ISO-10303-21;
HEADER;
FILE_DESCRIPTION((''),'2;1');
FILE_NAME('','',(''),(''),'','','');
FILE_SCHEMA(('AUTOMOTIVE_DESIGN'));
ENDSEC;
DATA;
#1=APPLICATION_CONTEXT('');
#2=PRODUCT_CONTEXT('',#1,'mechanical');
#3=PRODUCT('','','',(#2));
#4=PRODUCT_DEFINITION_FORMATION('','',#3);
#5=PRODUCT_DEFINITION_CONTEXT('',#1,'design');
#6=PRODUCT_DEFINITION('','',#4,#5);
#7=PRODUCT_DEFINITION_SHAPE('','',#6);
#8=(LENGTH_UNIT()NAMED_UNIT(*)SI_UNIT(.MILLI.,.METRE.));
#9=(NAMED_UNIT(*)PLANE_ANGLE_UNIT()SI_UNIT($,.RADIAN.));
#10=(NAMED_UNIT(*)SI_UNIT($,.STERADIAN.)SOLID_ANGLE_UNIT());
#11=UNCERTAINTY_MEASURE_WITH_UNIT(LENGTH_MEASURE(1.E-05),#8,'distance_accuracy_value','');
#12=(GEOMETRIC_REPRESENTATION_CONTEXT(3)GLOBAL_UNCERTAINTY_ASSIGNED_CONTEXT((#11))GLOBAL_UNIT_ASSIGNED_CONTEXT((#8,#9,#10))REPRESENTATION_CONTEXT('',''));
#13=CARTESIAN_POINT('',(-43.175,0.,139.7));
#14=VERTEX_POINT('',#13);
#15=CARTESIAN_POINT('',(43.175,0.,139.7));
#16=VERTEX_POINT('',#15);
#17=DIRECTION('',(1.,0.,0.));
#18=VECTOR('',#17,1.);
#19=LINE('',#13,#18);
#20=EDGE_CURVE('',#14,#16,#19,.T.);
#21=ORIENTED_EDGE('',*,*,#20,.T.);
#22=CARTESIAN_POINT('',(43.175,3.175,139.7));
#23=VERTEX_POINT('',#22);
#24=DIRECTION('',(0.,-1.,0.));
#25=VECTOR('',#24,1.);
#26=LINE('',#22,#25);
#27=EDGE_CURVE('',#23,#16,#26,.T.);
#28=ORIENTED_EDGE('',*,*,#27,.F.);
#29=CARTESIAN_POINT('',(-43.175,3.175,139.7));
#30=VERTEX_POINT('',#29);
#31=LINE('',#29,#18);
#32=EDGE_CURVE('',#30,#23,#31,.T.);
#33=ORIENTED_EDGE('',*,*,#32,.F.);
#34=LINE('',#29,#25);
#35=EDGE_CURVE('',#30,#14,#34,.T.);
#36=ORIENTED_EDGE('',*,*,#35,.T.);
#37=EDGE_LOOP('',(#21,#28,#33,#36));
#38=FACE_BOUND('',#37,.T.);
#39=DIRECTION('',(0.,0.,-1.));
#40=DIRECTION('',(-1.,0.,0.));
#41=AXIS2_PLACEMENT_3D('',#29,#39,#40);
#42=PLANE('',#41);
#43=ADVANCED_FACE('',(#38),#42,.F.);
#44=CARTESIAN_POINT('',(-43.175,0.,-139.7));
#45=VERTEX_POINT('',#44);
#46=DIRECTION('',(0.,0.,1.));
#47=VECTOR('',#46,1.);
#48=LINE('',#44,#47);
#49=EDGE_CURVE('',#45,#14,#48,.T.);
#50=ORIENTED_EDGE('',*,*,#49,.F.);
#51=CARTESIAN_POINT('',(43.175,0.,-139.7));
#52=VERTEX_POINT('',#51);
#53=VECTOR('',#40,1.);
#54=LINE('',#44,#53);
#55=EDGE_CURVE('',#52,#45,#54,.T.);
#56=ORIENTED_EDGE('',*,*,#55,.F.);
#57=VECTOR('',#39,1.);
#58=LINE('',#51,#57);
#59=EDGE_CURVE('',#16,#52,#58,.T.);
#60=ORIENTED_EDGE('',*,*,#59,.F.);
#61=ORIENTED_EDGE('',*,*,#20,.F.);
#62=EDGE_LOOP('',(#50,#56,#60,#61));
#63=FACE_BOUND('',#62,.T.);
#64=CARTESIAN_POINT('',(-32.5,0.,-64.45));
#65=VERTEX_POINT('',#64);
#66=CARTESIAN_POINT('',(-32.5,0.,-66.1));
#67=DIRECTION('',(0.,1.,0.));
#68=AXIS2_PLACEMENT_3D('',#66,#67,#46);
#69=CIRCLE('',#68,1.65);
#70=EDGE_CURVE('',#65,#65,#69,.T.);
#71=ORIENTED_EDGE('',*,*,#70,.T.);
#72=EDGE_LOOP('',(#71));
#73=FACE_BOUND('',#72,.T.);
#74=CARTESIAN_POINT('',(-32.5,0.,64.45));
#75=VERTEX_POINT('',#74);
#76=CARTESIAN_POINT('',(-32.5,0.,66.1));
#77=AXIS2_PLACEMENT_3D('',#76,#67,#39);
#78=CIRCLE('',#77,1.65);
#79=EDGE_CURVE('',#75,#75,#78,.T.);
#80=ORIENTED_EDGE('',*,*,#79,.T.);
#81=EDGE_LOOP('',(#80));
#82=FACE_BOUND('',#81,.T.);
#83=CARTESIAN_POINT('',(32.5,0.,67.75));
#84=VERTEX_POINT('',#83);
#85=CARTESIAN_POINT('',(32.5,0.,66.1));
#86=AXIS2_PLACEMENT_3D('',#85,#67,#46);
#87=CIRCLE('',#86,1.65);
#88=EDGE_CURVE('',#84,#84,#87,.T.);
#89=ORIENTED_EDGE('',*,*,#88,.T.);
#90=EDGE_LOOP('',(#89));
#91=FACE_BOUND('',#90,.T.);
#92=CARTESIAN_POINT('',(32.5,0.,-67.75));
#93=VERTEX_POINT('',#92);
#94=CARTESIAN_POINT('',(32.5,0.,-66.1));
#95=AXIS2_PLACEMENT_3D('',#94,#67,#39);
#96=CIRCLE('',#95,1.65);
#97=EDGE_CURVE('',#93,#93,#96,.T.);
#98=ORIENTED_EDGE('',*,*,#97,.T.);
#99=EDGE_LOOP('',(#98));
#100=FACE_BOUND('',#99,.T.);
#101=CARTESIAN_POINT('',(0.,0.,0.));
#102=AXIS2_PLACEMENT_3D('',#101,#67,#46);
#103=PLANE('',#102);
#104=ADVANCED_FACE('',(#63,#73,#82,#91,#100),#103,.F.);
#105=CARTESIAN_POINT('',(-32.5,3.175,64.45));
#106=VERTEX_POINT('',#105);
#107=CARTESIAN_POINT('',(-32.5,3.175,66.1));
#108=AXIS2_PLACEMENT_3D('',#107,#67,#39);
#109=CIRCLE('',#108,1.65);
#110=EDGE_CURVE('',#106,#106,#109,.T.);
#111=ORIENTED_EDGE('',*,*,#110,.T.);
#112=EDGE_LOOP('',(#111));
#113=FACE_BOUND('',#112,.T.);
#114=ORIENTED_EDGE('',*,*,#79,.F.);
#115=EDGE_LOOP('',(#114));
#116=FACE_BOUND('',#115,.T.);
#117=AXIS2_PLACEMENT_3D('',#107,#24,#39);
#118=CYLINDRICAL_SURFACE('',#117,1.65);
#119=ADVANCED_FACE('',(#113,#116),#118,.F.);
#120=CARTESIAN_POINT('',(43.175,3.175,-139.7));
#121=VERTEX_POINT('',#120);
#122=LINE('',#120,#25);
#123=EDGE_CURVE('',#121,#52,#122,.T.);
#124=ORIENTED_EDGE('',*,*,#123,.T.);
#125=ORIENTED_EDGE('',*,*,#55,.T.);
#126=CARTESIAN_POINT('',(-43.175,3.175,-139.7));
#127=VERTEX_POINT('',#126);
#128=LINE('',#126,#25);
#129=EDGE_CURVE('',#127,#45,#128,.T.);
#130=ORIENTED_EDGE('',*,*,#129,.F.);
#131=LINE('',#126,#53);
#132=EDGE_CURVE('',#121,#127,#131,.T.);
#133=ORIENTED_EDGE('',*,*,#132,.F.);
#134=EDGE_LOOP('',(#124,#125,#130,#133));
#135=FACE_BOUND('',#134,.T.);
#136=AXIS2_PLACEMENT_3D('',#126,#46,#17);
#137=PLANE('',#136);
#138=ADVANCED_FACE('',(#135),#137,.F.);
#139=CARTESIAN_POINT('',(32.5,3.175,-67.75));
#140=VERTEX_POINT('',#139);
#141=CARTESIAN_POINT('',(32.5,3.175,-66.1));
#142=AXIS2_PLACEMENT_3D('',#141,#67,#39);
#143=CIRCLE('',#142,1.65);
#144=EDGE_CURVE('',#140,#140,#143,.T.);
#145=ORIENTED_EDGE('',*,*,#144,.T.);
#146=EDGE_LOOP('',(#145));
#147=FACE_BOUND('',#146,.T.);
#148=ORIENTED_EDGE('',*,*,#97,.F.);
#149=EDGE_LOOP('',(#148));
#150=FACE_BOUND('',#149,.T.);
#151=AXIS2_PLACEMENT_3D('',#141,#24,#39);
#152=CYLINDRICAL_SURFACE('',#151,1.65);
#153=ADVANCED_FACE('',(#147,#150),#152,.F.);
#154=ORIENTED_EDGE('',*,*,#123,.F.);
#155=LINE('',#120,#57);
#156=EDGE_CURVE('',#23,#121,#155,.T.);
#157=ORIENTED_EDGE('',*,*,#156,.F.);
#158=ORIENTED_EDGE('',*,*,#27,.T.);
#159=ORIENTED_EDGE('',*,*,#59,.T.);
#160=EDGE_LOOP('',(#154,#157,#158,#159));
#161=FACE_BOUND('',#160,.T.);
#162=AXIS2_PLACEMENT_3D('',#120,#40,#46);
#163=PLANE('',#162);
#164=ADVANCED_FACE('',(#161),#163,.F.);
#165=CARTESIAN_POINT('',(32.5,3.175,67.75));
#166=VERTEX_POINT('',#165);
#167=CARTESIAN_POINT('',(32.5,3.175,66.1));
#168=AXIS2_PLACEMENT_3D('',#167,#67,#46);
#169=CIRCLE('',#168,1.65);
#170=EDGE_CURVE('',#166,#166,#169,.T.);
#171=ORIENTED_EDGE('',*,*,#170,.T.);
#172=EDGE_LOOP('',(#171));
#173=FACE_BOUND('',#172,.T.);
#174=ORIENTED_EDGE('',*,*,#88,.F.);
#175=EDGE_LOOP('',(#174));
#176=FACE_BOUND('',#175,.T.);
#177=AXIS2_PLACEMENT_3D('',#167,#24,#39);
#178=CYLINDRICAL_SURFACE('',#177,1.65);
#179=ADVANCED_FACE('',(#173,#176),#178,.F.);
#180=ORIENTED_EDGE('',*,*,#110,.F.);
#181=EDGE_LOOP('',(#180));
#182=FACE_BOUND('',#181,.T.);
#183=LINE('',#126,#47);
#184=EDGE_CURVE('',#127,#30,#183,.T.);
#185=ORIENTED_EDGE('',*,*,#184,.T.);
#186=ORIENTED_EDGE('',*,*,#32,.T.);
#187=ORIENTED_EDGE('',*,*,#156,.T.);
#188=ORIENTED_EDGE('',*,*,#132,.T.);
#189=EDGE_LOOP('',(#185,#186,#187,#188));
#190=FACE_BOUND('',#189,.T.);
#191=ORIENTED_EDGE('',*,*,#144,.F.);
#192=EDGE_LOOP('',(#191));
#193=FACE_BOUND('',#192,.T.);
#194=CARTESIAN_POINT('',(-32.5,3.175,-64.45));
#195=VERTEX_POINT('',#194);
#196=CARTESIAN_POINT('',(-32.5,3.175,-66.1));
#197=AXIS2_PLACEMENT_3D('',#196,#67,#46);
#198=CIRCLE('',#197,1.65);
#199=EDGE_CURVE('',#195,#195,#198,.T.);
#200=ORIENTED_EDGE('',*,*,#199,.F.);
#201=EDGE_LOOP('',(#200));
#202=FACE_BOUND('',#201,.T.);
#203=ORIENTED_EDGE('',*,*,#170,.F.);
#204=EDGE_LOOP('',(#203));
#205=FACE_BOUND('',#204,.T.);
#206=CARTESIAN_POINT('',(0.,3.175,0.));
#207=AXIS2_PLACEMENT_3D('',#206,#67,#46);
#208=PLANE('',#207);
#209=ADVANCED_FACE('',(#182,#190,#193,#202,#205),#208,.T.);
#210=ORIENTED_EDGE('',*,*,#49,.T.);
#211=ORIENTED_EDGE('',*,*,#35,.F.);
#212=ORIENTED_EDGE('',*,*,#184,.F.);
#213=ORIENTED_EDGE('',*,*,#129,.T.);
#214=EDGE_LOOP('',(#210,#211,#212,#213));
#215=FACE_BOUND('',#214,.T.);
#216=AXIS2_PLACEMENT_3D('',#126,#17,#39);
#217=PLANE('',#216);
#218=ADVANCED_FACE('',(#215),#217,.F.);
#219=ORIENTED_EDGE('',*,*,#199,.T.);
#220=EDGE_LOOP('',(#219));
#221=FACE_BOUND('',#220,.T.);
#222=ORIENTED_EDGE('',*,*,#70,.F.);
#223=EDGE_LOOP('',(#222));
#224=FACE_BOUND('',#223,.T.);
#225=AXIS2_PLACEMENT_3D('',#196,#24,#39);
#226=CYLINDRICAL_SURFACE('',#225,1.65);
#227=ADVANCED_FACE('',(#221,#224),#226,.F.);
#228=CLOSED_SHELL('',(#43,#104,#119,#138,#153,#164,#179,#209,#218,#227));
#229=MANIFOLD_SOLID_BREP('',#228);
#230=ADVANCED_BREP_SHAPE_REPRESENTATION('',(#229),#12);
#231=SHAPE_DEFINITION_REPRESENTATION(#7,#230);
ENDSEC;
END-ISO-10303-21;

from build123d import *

# Parameters (mm, degrees)
SKETCH1_W           = 86.35
SKETCH1_H           = 279.4
SKETCH1_R           = 1.65
BOSS_EXTRUDE1_DEPTH = 3.175


with BuildPart() as part:
    # Sketch1 → Boss-Extrude1 (new body)
    with BuildSketch(Plane(origin=(0, 0, 0), x_dir=(1, 0, 0), z_dir=(0, 1, 0))):
        Rectangle(SKETCH1_W, SKETCH1_H)
        with Locations(Location((-32.5, 66.1, 0), (0, 0, 270))):
            Circle(SKETCH1_R, mode=Mode.SUBTRACT)
        with Locations(Location((32.5, 66.1, 0), (0, 0, 90))):
            Circle(SKETCH1_R, mode=Mode.SUBTRACT)
        with Locations(Location((32.5, -66.1, 0), (0, 0, 270))):
            Circle(SKETCH1_R, mode=Mode.SUBTRACT)
        with Locations(Location((-32.5, -66.1, 0), (0, 0, 90))):
            Circle(SKETCH1_R, mode=Mode.SUBTRACT)
    extrude(amount=BOSS_EXTRUDE1_DEPTH)


solid = part.part
